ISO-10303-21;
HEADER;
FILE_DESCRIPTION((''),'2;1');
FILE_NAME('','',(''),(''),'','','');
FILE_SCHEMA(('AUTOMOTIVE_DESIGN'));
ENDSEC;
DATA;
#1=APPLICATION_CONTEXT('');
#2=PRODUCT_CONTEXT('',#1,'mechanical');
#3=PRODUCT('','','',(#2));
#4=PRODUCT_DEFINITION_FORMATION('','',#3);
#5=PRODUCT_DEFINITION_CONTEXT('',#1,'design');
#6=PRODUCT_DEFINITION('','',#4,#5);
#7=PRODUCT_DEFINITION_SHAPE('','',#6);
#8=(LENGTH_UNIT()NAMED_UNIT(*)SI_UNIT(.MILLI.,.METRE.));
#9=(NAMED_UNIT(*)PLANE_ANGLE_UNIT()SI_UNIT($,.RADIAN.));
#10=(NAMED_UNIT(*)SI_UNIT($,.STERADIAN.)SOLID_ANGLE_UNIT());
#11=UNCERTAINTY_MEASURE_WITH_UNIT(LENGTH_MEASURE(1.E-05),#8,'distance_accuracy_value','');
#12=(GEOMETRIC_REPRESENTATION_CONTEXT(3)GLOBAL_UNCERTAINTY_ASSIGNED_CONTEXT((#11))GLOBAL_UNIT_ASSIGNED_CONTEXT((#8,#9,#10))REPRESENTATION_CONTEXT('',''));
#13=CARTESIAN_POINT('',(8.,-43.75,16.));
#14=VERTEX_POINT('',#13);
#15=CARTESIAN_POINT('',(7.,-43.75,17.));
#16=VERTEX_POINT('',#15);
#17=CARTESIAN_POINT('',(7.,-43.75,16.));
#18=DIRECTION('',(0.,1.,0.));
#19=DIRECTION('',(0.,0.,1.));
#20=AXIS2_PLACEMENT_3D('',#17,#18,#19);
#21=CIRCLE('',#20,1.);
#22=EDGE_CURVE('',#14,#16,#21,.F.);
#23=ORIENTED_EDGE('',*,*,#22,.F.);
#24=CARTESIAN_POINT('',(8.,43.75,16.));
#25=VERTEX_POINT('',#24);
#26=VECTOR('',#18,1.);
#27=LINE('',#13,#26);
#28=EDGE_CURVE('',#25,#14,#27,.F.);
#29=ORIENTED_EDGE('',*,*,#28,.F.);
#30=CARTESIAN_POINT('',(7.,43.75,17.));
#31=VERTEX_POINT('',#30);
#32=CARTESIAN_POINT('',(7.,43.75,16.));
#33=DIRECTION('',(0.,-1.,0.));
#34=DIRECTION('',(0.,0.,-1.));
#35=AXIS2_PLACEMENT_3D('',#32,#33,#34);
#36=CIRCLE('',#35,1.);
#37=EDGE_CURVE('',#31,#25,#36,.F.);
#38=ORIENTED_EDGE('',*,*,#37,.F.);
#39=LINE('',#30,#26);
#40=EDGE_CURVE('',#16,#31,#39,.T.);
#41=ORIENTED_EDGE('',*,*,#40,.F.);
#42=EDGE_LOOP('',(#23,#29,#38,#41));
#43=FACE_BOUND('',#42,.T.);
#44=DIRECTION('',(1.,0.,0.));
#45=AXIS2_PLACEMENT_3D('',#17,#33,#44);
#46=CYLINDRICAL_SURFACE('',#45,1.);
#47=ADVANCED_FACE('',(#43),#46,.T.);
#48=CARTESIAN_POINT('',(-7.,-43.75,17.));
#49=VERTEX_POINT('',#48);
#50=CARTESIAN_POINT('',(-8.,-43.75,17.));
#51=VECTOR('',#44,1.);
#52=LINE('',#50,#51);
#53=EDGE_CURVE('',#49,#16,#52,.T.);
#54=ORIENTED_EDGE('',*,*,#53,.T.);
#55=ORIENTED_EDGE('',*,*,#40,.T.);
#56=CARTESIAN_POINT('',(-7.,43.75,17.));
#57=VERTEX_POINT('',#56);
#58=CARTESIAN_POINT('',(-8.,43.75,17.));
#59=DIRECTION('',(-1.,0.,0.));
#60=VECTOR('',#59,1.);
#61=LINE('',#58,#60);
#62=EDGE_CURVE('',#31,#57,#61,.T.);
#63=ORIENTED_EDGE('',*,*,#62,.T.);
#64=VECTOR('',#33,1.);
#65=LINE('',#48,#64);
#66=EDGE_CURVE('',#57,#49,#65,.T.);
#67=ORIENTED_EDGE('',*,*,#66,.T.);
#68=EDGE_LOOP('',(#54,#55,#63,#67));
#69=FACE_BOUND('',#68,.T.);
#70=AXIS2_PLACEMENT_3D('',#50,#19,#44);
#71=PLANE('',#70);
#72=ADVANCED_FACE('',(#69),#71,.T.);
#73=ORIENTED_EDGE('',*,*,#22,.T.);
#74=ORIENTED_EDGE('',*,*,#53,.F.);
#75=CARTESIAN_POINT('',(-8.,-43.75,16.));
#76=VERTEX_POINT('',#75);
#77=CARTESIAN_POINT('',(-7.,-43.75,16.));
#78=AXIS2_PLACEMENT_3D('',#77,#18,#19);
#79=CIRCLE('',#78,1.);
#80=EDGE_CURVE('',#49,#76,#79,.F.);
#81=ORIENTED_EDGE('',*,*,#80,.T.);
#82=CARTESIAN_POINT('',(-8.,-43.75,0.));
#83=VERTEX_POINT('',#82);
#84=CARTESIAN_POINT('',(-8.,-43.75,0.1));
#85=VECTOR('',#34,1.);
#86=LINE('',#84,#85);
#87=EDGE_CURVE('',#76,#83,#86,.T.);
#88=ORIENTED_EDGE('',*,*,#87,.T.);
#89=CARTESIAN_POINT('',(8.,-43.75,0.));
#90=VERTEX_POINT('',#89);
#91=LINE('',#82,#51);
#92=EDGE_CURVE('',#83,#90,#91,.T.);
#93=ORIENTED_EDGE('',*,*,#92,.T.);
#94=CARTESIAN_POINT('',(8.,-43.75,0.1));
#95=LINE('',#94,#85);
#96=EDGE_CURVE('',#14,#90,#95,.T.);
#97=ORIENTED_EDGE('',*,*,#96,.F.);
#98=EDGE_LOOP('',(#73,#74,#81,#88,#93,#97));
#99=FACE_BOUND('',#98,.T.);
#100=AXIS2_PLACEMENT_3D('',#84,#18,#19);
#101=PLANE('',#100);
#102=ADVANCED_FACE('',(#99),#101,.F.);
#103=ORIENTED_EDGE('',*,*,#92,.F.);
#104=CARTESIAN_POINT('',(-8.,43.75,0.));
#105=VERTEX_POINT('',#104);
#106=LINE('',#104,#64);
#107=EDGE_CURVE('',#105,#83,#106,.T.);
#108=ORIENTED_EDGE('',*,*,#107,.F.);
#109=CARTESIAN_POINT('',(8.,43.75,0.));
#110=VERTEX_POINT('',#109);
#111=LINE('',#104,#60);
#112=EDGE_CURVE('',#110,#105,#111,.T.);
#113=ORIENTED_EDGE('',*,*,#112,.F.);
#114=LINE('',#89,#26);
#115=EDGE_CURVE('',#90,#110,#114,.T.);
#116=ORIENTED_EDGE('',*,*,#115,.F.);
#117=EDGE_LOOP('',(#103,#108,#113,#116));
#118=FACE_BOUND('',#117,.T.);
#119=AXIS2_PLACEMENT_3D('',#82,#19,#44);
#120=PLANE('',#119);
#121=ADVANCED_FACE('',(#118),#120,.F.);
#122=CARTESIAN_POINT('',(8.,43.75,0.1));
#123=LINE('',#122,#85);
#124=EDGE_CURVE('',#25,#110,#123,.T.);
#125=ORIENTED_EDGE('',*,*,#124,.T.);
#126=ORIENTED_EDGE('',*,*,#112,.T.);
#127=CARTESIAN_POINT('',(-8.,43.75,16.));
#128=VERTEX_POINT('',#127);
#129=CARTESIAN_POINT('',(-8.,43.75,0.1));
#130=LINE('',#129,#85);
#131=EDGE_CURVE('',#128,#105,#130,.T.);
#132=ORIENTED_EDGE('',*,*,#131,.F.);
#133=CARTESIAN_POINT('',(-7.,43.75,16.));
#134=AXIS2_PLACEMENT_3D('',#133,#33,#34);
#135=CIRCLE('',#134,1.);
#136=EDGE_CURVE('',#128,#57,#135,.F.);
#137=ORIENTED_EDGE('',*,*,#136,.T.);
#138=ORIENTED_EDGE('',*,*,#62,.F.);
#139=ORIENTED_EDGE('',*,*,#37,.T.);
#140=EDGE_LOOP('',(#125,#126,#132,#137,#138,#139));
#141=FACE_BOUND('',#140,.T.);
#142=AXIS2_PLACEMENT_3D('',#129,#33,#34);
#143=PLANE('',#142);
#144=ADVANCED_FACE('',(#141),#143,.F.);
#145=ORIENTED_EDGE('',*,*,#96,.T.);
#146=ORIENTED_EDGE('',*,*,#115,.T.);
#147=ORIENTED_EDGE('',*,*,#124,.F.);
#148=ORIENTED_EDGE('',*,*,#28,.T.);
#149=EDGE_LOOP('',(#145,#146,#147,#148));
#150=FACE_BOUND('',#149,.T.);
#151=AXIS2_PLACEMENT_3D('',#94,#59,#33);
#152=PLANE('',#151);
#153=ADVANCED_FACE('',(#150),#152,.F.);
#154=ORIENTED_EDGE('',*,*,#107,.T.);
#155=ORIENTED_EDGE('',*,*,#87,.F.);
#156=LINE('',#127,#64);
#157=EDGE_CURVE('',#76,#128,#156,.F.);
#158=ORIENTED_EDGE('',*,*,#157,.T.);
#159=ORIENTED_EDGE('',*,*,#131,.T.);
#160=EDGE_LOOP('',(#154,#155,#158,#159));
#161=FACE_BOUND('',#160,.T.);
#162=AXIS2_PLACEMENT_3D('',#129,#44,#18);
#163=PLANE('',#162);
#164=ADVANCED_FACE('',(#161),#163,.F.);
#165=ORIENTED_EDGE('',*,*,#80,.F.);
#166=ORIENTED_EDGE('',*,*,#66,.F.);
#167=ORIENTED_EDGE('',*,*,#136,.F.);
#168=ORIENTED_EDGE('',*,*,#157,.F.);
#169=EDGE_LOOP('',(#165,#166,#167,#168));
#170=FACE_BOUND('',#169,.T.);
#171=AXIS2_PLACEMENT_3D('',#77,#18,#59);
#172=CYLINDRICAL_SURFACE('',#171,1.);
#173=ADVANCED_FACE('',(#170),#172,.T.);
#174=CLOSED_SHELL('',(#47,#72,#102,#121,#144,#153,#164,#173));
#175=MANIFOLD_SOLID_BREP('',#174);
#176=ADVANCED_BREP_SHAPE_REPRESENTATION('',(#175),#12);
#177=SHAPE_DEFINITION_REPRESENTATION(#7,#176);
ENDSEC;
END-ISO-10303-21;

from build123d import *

# Parameters (mm, degrees)
SKETCH_1_W      = 16
SKETCH_1_H      = 87.5
EXTRUDE_1_DEPTH = 0.1
SKETCH_2_W      = 16
SKETCH_2_H      = 87.5
EXTRUDE_2_DEPTH = 16.9
FILLET_1_R      = 1


with BuildPart() as part:
    # 草图1 → 拉伸1 (new body)
    with BuildSketch(Plane.XY):
        Rectangle(SKETCH_1_W, SKETCH_1_H)
    extrude(amount=EXTRUDE_1_DEPTH)

    # 草图2 → 拉伸2 (add)
    with BuildSketch(Plane.XY.offset(0.1)):
        Rectangle(SKETCH_2_W, SKETCH_2_H)
    extrude(amount=EXTRUDE_2_DEPTH)

    # 圆角1
    fillet_1_edges = [part.edges().sort_by_distance(p)[0] for p in [
        (-8, 0, 17),
        (8, 0, 17),
    ]]
    fillet(fillet_1_edges, radius=FILLET_1_R)


solid = part.part
